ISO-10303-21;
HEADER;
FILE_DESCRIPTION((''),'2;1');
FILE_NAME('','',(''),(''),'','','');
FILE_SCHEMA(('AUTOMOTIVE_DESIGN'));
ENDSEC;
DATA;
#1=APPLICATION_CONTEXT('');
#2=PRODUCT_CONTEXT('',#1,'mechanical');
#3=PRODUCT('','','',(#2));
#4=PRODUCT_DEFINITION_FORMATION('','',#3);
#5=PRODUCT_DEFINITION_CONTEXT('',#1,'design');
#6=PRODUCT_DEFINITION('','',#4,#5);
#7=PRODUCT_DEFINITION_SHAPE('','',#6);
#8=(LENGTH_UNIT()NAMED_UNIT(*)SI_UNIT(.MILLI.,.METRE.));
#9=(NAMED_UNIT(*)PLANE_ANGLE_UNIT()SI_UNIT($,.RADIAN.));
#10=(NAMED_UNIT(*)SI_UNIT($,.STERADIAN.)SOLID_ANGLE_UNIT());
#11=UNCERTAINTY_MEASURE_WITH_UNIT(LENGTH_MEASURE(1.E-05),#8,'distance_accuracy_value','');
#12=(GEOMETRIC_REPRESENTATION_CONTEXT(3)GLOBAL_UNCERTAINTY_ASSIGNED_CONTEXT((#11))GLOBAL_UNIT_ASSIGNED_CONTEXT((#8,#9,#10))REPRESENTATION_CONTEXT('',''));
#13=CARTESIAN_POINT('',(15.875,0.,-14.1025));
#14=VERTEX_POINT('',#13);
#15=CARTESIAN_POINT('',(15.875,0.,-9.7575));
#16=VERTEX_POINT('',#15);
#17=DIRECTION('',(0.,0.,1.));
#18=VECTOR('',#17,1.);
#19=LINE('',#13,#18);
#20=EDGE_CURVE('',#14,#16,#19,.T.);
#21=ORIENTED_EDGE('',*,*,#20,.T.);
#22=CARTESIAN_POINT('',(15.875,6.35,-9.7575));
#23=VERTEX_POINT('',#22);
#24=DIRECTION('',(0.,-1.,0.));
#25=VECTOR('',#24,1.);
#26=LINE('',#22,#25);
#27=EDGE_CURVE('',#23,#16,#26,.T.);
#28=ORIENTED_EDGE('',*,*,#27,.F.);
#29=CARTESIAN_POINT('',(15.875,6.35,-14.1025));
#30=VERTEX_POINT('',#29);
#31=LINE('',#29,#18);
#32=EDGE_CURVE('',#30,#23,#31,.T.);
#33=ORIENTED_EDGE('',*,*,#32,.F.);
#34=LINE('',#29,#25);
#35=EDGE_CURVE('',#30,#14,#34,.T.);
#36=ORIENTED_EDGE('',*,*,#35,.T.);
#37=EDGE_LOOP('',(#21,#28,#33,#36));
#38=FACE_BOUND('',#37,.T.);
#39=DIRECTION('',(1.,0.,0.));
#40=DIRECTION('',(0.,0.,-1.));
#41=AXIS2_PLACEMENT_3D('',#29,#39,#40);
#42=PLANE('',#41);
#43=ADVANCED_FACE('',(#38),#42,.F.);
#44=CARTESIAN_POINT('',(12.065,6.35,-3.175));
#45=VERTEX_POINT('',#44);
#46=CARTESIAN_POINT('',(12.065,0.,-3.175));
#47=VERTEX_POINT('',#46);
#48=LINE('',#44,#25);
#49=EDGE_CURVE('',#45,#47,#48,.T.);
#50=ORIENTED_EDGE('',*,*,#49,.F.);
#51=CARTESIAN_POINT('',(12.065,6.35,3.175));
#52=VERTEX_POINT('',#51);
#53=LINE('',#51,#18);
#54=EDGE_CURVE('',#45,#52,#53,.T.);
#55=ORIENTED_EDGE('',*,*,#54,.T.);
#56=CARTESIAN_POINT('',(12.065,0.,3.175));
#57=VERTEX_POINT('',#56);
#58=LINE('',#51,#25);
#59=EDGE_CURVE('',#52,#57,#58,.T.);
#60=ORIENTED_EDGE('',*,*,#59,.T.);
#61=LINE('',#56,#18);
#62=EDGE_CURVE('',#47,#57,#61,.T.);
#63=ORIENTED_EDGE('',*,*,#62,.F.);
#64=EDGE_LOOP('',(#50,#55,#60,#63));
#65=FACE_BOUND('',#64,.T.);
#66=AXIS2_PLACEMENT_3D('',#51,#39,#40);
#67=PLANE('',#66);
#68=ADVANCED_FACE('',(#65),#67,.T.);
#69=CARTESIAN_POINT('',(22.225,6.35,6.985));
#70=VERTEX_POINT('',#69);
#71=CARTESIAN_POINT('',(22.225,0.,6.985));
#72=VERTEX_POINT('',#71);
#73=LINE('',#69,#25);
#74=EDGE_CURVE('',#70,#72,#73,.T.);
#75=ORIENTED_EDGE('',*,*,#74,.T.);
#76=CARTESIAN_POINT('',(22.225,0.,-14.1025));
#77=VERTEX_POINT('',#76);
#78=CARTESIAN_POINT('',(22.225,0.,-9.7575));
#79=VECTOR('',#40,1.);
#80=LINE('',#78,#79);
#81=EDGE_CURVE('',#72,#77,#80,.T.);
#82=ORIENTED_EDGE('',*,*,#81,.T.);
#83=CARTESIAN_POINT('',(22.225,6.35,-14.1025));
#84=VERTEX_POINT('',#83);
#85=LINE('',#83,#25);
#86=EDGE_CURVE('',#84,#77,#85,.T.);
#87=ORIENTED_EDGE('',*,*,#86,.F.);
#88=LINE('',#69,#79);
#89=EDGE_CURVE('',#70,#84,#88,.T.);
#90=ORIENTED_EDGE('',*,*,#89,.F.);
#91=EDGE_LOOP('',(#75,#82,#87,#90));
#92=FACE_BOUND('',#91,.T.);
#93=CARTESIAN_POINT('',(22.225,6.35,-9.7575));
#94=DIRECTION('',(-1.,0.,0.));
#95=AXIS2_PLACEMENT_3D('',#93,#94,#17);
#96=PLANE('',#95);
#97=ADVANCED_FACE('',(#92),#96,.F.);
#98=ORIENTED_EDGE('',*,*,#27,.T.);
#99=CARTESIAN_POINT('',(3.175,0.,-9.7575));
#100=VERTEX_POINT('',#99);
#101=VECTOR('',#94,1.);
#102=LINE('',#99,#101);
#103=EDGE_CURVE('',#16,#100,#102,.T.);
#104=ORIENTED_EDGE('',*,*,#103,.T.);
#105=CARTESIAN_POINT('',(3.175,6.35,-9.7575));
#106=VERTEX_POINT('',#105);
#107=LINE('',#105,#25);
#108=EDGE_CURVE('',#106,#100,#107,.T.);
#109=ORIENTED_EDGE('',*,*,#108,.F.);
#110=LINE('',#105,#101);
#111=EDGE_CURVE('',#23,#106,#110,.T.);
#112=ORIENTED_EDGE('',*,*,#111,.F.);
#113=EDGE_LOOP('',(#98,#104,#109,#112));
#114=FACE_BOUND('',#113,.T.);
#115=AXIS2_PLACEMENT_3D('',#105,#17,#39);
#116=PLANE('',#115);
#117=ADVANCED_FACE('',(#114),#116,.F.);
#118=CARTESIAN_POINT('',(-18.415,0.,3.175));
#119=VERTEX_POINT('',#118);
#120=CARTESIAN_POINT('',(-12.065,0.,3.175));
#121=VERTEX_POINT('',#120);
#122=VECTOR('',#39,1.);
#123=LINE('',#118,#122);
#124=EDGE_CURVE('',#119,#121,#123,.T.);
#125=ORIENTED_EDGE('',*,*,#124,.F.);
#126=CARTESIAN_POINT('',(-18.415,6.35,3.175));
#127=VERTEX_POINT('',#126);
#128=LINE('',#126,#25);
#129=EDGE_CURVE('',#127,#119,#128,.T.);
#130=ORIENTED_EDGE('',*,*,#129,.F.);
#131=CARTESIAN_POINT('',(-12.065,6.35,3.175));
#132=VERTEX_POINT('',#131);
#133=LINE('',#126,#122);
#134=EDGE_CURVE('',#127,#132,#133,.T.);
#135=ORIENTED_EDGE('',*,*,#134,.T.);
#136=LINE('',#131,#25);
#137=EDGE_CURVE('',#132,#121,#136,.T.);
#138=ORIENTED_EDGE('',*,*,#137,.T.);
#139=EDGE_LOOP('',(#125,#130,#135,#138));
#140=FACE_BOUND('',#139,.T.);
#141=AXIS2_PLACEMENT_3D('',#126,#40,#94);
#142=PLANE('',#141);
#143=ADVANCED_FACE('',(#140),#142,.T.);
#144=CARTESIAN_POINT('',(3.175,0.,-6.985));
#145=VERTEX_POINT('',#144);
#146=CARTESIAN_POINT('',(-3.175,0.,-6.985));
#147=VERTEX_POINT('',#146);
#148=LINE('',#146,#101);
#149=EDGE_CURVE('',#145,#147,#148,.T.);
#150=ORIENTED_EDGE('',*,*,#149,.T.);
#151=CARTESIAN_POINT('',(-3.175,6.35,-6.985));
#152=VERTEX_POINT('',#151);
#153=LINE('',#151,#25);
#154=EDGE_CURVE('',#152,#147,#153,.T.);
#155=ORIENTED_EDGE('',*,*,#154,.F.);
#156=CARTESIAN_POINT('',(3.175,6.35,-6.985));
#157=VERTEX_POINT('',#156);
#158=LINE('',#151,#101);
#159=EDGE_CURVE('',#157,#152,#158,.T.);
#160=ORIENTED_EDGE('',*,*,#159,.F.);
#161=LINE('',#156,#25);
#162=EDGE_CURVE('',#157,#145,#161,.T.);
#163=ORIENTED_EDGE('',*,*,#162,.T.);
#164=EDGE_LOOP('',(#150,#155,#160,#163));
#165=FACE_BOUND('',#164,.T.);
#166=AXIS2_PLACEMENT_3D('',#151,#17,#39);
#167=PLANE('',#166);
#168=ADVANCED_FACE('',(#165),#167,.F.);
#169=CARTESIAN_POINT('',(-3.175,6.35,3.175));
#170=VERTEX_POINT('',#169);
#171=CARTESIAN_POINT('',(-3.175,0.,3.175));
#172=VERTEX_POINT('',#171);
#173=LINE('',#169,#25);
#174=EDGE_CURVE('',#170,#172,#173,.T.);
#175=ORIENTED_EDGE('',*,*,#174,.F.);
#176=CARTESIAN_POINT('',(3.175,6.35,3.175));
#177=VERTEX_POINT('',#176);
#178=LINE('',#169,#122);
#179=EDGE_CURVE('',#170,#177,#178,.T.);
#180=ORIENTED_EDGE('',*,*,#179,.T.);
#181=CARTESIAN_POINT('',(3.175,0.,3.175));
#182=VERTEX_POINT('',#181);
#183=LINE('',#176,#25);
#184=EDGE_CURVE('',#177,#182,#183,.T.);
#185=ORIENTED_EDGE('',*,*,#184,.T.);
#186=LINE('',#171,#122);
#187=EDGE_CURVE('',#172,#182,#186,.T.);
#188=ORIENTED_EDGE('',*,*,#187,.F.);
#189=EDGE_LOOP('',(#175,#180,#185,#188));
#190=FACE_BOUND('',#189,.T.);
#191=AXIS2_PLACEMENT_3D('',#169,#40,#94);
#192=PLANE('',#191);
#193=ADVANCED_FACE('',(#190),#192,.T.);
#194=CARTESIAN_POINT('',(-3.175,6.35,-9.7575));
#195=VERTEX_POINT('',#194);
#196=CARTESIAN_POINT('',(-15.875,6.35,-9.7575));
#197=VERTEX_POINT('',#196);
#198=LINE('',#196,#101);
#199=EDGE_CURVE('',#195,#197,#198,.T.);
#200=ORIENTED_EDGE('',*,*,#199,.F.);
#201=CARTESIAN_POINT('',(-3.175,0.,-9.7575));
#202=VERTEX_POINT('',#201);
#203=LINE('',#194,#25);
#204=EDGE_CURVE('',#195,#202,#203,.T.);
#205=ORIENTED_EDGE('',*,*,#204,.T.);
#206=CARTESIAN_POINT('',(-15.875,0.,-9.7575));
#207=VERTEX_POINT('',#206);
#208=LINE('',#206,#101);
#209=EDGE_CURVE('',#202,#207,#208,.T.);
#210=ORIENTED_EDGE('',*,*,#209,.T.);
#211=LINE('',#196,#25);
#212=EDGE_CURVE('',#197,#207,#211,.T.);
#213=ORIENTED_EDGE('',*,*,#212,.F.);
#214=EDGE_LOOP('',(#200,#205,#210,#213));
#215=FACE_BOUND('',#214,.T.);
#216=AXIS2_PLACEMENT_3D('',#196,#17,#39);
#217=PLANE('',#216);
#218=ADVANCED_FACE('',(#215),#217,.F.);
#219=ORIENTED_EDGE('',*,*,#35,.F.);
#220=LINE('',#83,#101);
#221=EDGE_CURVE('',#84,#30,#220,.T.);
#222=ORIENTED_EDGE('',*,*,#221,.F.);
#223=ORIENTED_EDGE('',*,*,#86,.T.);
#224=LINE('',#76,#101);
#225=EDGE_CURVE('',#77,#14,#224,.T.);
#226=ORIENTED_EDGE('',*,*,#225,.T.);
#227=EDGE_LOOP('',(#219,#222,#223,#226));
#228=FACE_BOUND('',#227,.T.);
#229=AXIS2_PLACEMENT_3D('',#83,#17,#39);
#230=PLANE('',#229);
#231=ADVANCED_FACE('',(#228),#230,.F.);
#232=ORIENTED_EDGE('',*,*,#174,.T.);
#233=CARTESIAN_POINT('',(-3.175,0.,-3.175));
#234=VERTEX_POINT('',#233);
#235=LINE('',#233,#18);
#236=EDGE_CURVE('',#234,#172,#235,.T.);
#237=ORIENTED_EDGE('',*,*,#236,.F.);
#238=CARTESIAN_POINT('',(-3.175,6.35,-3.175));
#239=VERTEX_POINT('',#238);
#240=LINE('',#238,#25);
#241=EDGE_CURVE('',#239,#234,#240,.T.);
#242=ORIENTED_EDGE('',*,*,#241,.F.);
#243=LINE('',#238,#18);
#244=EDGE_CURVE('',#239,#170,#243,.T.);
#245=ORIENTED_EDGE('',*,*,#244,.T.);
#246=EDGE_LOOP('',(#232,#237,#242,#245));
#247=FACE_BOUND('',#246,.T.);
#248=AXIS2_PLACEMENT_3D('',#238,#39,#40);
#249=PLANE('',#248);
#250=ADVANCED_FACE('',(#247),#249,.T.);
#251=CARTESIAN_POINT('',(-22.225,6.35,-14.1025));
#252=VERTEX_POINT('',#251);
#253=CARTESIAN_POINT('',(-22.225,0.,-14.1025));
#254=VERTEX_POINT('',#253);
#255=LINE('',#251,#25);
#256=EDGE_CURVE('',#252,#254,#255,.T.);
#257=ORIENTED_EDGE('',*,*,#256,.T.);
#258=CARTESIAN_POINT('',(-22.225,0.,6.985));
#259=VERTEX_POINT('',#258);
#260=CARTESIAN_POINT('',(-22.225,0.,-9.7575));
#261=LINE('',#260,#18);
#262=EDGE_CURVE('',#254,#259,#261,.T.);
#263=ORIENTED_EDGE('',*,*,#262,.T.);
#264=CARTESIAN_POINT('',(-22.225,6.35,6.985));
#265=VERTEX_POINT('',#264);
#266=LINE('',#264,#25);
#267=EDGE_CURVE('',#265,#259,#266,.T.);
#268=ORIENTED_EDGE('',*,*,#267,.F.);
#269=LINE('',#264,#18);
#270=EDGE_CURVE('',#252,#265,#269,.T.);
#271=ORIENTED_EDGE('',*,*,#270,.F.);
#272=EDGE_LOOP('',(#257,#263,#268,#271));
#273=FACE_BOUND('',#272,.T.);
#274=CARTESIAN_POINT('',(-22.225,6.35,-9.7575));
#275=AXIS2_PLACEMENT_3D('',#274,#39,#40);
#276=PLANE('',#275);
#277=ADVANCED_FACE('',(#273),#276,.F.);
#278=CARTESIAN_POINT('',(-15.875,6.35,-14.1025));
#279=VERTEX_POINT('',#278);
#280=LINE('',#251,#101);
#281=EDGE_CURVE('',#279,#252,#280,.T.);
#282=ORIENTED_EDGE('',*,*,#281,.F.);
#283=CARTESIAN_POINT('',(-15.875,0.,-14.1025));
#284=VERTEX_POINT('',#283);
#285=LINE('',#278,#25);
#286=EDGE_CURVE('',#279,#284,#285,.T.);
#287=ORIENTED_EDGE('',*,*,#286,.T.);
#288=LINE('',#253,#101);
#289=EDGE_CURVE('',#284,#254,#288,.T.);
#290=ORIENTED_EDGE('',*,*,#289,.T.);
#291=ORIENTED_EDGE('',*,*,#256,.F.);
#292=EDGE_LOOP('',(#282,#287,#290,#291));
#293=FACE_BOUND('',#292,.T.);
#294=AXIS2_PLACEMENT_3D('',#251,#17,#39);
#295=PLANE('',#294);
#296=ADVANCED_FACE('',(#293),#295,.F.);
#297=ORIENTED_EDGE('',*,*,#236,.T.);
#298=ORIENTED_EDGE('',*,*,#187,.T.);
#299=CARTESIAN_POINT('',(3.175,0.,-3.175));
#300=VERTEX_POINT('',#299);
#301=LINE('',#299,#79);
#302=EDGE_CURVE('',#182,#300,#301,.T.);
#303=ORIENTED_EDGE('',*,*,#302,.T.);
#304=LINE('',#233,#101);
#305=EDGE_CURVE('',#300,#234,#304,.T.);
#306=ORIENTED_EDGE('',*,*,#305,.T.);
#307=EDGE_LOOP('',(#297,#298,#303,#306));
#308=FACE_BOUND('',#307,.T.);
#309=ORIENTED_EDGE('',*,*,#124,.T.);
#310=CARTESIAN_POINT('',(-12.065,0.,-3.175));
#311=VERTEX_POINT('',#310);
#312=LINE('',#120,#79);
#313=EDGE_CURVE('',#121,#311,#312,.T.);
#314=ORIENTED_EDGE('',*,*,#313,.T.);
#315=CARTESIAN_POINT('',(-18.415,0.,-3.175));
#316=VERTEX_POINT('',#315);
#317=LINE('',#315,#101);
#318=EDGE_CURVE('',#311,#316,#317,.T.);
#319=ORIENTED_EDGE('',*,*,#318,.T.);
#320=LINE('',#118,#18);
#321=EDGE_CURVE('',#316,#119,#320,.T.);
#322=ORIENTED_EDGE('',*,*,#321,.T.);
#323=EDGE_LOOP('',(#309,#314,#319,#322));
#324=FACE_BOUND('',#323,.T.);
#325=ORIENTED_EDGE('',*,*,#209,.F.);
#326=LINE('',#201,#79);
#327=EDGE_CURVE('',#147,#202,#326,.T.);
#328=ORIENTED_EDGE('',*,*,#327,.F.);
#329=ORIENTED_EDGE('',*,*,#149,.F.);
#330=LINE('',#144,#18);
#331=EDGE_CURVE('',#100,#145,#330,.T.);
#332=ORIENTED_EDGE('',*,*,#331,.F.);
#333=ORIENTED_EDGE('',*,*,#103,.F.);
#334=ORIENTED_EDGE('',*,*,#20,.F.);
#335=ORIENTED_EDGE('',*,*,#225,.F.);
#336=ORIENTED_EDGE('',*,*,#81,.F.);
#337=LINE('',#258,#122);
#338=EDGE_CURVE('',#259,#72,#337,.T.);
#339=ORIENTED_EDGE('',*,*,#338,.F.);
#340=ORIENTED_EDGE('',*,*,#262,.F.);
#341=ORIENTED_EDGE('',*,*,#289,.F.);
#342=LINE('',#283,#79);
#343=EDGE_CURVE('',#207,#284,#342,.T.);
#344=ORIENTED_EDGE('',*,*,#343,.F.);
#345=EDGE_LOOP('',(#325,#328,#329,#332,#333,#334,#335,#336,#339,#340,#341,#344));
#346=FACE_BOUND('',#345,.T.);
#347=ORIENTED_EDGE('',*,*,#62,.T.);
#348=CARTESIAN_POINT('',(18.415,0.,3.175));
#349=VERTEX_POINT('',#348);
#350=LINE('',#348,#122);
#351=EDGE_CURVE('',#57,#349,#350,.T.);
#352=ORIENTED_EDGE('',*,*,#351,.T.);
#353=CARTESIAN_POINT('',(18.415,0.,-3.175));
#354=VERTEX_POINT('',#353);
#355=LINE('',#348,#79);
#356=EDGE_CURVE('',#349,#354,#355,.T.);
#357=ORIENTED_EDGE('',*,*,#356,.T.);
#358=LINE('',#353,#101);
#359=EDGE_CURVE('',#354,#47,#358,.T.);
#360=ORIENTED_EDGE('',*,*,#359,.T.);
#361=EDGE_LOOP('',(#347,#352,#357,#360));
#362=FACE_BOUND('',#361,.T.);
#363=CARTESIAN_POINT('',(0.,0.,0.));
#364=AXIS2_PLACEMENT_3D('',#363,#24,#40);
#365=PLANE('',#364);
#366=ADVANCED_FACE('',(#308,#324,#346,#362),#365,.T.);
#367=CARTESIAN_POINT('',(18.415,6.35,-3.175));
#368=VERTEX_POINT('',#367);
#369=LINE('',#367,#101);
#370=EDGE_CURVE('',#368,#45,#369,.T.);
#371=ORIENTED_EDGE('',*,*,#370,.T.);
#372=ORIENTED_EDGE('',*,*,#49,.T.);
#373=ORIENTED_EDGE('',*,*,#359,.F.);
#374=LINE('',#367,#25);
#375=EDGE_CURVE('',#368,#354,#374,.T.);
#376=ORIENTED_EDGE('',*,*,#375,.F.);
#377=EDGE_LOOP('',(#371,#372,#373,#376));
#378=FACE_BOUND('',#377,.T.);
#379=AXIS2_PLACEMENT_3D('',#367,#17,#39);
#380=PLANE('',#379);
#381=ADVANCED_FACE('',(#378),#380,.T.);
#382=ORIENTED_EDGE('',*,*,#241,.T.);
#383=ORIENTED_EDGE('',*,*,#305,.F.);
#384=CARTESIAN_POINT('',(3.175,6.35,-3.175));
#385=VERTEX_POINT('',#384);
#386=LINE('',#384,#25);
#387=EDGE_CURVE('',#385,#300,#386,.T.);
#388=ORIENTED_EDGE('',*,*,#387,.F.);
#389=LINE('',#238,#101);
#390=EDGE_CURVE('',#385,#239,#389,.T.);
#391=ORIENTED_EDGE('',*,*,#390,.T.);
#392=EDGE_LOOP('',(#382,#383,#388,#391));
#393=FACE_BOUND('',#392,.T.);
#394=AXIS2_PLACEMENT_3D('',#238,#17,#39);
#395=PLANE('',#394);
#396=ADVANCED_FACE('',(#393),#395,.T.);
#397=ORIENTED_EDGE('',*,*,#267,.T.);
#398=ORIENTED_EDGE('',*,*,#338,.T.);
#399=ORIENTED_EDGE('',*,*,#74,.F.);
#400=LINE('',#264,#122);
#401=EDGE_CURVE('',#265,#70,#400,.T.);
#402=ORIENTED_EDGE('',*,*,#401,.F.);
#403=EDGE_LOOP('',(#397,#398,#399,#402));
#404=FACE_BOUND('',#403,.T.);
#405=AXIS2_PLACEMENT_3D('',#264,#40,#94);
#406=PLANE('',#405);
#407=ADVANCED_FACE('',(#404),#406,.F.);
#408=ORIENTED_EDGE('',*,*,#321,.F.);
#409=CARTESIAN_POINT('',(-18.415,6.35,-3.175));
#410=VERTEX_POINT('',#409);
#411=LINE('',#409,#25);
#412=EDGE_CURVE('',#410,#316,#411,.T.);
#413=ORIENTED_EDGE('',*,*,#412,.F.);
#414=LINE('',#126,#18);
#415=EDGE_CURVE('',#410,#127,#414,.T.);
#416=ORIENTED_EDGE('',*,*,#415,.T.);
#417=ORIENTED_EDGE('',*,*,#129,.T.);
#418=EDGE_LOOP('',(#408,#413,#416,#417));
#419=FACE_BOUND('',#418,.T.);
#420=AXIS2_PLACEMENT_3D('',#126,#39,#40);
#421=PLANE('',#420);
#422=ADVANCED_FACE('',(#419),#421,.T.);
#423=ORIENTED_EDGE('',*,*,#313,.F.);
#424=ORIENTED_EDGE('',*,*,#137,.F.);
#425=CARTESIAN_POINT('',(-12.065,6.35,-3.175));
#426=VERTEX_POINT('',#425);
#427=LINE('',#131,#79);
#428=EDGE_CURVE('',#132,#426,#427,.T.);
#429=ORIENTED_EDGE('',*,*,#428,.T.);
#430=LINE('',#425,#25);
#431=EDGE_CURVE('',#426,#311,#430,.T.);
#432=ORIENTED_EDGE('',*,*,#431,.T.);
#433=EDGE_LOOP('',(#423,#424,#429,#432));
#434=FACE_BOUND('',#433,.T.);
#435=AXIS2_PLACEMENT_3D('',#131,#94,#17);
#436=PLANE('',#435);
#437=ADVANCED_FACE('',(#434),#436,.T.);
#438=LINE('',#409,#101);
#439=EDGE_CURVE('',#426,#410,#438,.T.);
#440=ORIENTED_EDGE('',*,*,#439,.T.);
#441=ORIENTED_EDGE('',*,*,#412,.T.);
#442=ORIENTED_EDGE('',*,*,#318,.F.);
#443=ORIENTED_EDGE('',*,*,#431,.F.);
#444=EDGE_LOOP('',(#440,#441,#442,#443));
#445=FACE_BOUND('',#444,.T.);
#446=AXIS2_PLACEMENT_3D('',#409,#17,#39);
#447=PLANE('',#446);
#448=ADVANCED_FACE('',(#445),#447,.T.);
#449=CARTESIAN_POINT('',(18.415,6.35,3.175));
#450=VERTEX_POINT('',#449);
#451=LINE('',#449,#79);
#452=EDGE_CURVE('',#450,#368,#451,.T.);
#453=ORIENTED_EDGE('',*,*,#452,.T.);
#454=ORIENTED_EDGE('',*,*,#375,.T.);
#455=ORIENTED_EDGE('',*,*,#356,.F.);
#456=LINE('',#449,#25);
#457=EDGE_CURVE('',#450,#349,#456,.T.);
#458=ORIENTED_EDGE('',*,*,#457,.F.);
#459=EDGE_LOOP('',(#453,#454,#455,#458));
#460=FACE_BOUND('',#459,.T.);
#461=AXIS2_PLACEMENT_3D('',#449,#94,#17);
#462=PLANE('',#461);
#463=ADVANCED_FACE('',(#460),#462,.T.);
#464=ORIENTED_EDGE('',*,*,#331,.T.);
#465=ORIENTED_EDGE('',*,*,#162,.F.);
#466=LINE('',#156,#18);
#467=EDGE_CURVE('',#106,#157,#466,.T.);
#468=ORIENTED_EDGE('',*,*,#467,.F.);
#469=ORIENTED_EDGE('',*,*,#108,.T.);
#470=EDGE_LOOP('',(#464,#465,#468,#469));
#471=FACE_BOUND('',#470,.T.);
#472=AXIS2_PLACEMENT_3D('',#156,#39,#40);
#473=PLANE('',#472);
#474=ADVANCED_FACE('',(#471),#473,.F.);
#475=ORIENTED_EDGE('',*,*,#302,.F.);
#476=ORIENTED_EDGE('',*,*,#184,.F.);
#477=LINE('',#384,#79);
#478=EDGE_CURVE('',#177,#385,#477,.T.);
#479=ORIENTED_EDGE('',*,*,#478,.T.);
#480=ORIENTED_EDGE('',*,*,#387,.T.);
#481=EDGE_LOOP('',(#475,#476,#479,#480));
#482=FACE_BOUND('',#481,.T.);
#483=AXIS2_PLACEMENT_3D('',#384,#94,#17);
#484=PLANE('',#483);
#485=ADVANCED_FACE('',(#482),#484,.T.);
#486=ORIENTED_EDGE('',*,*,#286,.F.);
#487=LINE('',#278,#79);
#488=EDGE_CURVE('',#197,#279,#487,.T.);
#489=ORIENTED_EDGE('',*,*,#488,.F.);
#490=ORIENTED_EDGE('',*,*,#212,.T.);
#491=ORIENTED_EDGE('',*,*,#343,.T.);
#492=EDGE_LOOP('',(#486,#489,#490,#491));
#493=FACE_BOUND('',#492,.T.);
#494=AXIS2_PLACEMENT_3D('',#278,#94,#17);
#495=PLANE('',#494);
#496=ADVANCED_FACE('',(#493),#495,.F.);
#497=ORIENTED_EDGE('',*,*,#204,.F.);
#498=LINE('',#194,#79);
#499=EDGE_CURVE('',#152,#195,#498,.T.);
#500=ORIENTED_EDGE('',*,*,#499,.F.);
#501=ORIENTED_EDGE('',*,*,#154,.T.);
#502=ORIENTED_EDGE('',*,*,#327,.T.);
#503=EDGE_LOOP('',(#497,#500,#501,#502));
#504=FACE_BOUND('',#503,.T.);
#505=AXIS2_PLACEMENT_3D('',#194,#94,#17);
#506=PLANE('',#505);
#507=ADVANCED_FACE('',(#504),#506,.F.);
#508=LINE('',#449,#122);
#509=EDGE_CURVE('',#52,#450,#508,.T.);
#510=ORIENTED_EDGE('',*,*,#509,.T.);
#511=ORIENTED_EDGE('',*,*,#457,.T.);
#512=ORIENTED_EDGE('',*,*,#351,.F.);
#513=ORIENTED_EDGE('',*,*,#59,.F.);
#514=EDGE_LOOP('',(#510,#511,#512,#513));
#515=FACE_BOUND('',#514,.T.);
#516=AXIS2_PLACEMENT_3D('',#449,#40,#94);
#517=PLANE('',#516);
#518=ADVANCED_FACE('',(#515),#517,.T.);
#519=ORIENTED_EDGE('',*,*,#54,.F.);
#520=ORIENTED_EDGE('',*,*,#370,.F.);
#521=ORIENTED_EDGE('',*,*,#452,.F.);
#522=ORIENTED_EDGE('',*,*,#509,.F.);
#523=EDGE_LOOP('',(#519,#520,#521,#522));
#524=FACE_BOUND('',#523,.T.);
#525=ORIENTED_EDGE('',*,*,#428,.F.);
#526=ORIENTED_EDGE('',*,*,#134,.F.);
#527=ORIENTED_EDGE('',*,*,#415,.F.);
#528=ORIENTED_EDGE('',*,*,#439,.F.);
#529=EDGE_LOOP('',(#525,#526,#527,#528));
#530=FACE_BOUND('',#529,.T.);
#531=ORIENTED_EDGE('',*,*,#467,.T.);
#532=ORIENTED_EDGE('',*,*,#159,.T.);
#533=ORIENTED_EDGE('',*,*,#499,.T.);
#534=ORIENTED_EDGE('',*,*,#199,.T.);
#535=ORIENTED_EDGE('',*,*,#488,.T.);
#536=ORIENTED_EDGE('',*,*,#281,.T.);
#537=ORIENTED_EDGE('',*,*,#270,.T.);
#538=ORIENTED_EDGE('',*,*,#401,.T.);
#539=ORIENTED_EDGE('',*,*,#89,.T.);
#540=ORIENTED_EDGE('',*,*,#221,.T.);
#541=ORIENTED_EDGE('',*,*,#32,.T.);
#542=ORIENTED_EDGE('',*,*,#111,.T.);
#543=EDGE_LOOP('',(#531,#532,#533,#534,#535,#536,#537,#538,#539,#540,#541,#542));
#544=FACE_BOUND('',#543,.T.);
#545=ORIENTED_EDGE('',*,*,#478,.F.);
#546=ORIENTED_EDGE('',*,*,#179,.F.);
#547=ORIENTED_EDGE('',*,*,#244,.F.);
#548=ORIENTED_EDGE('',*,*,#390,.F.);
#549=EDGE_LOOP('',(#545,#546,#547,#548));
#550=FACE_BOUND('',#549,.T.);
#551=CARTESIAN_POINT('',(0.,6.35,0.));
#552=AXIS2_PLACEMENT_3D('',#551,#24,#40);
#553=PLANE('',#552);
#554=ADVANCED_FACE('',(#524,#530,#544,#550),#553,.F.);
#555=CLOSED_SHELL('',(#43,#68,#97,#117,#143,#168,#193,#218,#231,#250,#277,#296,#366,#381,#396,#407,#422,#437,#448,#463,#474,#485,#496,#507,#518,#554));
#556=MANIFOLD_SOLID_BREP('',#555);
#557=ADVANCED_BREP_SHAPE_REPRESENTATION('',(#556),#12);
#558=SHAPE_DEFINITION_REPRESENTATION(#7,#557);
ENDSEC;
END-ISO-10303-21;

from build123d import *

# Parameters (mm, degrees)
SKETCH1_W           = 6.35
SKETCH1_H           = 6.35
BOSS_EXTRUDE1_DEPTH = 6.35


with BuildPart() as part:
    # Sketch1 → Boss-Extrude1 (new body)
    with BuildSketch(Plane(origin=(0, 0, 0), x_dir=(1, 0, 0), z_dir=(0, 1, 0))):
        Polygon((-22.225, -6.985), (22.225, -6.985), (22.225, 9.757500043), (22.225, 14.102499989), (15.875, 14.102499989), (15.875, 9.757500043), (3.175, 9.757500043), (3.175, 6.985), (-3.175, 6.985), (-3.175, 9.757500043), (-15.875, 9.757500043), (-15.875, 14.102499989), (-22.225, 14.102499989), (-22.225, 9.757500043), align=None)
        Rectangle(SKETCH1_W, SKETCH1_H, mode=Mode.SUBTRACT)
        with Locations((15.24, 0)):
            Rectangle(SKETCH1_W, SKETCH1_H, mode=Mode.SUBTRACT)
        with Locations((-15.24, 0)):
            Rectangle(SKETCH1_W, SKETCH1_H, mode=Mode.SUBTRACT)
    extrude(amount=BOSS_EXTRUDE1_DEPTH)


solid = part.part
